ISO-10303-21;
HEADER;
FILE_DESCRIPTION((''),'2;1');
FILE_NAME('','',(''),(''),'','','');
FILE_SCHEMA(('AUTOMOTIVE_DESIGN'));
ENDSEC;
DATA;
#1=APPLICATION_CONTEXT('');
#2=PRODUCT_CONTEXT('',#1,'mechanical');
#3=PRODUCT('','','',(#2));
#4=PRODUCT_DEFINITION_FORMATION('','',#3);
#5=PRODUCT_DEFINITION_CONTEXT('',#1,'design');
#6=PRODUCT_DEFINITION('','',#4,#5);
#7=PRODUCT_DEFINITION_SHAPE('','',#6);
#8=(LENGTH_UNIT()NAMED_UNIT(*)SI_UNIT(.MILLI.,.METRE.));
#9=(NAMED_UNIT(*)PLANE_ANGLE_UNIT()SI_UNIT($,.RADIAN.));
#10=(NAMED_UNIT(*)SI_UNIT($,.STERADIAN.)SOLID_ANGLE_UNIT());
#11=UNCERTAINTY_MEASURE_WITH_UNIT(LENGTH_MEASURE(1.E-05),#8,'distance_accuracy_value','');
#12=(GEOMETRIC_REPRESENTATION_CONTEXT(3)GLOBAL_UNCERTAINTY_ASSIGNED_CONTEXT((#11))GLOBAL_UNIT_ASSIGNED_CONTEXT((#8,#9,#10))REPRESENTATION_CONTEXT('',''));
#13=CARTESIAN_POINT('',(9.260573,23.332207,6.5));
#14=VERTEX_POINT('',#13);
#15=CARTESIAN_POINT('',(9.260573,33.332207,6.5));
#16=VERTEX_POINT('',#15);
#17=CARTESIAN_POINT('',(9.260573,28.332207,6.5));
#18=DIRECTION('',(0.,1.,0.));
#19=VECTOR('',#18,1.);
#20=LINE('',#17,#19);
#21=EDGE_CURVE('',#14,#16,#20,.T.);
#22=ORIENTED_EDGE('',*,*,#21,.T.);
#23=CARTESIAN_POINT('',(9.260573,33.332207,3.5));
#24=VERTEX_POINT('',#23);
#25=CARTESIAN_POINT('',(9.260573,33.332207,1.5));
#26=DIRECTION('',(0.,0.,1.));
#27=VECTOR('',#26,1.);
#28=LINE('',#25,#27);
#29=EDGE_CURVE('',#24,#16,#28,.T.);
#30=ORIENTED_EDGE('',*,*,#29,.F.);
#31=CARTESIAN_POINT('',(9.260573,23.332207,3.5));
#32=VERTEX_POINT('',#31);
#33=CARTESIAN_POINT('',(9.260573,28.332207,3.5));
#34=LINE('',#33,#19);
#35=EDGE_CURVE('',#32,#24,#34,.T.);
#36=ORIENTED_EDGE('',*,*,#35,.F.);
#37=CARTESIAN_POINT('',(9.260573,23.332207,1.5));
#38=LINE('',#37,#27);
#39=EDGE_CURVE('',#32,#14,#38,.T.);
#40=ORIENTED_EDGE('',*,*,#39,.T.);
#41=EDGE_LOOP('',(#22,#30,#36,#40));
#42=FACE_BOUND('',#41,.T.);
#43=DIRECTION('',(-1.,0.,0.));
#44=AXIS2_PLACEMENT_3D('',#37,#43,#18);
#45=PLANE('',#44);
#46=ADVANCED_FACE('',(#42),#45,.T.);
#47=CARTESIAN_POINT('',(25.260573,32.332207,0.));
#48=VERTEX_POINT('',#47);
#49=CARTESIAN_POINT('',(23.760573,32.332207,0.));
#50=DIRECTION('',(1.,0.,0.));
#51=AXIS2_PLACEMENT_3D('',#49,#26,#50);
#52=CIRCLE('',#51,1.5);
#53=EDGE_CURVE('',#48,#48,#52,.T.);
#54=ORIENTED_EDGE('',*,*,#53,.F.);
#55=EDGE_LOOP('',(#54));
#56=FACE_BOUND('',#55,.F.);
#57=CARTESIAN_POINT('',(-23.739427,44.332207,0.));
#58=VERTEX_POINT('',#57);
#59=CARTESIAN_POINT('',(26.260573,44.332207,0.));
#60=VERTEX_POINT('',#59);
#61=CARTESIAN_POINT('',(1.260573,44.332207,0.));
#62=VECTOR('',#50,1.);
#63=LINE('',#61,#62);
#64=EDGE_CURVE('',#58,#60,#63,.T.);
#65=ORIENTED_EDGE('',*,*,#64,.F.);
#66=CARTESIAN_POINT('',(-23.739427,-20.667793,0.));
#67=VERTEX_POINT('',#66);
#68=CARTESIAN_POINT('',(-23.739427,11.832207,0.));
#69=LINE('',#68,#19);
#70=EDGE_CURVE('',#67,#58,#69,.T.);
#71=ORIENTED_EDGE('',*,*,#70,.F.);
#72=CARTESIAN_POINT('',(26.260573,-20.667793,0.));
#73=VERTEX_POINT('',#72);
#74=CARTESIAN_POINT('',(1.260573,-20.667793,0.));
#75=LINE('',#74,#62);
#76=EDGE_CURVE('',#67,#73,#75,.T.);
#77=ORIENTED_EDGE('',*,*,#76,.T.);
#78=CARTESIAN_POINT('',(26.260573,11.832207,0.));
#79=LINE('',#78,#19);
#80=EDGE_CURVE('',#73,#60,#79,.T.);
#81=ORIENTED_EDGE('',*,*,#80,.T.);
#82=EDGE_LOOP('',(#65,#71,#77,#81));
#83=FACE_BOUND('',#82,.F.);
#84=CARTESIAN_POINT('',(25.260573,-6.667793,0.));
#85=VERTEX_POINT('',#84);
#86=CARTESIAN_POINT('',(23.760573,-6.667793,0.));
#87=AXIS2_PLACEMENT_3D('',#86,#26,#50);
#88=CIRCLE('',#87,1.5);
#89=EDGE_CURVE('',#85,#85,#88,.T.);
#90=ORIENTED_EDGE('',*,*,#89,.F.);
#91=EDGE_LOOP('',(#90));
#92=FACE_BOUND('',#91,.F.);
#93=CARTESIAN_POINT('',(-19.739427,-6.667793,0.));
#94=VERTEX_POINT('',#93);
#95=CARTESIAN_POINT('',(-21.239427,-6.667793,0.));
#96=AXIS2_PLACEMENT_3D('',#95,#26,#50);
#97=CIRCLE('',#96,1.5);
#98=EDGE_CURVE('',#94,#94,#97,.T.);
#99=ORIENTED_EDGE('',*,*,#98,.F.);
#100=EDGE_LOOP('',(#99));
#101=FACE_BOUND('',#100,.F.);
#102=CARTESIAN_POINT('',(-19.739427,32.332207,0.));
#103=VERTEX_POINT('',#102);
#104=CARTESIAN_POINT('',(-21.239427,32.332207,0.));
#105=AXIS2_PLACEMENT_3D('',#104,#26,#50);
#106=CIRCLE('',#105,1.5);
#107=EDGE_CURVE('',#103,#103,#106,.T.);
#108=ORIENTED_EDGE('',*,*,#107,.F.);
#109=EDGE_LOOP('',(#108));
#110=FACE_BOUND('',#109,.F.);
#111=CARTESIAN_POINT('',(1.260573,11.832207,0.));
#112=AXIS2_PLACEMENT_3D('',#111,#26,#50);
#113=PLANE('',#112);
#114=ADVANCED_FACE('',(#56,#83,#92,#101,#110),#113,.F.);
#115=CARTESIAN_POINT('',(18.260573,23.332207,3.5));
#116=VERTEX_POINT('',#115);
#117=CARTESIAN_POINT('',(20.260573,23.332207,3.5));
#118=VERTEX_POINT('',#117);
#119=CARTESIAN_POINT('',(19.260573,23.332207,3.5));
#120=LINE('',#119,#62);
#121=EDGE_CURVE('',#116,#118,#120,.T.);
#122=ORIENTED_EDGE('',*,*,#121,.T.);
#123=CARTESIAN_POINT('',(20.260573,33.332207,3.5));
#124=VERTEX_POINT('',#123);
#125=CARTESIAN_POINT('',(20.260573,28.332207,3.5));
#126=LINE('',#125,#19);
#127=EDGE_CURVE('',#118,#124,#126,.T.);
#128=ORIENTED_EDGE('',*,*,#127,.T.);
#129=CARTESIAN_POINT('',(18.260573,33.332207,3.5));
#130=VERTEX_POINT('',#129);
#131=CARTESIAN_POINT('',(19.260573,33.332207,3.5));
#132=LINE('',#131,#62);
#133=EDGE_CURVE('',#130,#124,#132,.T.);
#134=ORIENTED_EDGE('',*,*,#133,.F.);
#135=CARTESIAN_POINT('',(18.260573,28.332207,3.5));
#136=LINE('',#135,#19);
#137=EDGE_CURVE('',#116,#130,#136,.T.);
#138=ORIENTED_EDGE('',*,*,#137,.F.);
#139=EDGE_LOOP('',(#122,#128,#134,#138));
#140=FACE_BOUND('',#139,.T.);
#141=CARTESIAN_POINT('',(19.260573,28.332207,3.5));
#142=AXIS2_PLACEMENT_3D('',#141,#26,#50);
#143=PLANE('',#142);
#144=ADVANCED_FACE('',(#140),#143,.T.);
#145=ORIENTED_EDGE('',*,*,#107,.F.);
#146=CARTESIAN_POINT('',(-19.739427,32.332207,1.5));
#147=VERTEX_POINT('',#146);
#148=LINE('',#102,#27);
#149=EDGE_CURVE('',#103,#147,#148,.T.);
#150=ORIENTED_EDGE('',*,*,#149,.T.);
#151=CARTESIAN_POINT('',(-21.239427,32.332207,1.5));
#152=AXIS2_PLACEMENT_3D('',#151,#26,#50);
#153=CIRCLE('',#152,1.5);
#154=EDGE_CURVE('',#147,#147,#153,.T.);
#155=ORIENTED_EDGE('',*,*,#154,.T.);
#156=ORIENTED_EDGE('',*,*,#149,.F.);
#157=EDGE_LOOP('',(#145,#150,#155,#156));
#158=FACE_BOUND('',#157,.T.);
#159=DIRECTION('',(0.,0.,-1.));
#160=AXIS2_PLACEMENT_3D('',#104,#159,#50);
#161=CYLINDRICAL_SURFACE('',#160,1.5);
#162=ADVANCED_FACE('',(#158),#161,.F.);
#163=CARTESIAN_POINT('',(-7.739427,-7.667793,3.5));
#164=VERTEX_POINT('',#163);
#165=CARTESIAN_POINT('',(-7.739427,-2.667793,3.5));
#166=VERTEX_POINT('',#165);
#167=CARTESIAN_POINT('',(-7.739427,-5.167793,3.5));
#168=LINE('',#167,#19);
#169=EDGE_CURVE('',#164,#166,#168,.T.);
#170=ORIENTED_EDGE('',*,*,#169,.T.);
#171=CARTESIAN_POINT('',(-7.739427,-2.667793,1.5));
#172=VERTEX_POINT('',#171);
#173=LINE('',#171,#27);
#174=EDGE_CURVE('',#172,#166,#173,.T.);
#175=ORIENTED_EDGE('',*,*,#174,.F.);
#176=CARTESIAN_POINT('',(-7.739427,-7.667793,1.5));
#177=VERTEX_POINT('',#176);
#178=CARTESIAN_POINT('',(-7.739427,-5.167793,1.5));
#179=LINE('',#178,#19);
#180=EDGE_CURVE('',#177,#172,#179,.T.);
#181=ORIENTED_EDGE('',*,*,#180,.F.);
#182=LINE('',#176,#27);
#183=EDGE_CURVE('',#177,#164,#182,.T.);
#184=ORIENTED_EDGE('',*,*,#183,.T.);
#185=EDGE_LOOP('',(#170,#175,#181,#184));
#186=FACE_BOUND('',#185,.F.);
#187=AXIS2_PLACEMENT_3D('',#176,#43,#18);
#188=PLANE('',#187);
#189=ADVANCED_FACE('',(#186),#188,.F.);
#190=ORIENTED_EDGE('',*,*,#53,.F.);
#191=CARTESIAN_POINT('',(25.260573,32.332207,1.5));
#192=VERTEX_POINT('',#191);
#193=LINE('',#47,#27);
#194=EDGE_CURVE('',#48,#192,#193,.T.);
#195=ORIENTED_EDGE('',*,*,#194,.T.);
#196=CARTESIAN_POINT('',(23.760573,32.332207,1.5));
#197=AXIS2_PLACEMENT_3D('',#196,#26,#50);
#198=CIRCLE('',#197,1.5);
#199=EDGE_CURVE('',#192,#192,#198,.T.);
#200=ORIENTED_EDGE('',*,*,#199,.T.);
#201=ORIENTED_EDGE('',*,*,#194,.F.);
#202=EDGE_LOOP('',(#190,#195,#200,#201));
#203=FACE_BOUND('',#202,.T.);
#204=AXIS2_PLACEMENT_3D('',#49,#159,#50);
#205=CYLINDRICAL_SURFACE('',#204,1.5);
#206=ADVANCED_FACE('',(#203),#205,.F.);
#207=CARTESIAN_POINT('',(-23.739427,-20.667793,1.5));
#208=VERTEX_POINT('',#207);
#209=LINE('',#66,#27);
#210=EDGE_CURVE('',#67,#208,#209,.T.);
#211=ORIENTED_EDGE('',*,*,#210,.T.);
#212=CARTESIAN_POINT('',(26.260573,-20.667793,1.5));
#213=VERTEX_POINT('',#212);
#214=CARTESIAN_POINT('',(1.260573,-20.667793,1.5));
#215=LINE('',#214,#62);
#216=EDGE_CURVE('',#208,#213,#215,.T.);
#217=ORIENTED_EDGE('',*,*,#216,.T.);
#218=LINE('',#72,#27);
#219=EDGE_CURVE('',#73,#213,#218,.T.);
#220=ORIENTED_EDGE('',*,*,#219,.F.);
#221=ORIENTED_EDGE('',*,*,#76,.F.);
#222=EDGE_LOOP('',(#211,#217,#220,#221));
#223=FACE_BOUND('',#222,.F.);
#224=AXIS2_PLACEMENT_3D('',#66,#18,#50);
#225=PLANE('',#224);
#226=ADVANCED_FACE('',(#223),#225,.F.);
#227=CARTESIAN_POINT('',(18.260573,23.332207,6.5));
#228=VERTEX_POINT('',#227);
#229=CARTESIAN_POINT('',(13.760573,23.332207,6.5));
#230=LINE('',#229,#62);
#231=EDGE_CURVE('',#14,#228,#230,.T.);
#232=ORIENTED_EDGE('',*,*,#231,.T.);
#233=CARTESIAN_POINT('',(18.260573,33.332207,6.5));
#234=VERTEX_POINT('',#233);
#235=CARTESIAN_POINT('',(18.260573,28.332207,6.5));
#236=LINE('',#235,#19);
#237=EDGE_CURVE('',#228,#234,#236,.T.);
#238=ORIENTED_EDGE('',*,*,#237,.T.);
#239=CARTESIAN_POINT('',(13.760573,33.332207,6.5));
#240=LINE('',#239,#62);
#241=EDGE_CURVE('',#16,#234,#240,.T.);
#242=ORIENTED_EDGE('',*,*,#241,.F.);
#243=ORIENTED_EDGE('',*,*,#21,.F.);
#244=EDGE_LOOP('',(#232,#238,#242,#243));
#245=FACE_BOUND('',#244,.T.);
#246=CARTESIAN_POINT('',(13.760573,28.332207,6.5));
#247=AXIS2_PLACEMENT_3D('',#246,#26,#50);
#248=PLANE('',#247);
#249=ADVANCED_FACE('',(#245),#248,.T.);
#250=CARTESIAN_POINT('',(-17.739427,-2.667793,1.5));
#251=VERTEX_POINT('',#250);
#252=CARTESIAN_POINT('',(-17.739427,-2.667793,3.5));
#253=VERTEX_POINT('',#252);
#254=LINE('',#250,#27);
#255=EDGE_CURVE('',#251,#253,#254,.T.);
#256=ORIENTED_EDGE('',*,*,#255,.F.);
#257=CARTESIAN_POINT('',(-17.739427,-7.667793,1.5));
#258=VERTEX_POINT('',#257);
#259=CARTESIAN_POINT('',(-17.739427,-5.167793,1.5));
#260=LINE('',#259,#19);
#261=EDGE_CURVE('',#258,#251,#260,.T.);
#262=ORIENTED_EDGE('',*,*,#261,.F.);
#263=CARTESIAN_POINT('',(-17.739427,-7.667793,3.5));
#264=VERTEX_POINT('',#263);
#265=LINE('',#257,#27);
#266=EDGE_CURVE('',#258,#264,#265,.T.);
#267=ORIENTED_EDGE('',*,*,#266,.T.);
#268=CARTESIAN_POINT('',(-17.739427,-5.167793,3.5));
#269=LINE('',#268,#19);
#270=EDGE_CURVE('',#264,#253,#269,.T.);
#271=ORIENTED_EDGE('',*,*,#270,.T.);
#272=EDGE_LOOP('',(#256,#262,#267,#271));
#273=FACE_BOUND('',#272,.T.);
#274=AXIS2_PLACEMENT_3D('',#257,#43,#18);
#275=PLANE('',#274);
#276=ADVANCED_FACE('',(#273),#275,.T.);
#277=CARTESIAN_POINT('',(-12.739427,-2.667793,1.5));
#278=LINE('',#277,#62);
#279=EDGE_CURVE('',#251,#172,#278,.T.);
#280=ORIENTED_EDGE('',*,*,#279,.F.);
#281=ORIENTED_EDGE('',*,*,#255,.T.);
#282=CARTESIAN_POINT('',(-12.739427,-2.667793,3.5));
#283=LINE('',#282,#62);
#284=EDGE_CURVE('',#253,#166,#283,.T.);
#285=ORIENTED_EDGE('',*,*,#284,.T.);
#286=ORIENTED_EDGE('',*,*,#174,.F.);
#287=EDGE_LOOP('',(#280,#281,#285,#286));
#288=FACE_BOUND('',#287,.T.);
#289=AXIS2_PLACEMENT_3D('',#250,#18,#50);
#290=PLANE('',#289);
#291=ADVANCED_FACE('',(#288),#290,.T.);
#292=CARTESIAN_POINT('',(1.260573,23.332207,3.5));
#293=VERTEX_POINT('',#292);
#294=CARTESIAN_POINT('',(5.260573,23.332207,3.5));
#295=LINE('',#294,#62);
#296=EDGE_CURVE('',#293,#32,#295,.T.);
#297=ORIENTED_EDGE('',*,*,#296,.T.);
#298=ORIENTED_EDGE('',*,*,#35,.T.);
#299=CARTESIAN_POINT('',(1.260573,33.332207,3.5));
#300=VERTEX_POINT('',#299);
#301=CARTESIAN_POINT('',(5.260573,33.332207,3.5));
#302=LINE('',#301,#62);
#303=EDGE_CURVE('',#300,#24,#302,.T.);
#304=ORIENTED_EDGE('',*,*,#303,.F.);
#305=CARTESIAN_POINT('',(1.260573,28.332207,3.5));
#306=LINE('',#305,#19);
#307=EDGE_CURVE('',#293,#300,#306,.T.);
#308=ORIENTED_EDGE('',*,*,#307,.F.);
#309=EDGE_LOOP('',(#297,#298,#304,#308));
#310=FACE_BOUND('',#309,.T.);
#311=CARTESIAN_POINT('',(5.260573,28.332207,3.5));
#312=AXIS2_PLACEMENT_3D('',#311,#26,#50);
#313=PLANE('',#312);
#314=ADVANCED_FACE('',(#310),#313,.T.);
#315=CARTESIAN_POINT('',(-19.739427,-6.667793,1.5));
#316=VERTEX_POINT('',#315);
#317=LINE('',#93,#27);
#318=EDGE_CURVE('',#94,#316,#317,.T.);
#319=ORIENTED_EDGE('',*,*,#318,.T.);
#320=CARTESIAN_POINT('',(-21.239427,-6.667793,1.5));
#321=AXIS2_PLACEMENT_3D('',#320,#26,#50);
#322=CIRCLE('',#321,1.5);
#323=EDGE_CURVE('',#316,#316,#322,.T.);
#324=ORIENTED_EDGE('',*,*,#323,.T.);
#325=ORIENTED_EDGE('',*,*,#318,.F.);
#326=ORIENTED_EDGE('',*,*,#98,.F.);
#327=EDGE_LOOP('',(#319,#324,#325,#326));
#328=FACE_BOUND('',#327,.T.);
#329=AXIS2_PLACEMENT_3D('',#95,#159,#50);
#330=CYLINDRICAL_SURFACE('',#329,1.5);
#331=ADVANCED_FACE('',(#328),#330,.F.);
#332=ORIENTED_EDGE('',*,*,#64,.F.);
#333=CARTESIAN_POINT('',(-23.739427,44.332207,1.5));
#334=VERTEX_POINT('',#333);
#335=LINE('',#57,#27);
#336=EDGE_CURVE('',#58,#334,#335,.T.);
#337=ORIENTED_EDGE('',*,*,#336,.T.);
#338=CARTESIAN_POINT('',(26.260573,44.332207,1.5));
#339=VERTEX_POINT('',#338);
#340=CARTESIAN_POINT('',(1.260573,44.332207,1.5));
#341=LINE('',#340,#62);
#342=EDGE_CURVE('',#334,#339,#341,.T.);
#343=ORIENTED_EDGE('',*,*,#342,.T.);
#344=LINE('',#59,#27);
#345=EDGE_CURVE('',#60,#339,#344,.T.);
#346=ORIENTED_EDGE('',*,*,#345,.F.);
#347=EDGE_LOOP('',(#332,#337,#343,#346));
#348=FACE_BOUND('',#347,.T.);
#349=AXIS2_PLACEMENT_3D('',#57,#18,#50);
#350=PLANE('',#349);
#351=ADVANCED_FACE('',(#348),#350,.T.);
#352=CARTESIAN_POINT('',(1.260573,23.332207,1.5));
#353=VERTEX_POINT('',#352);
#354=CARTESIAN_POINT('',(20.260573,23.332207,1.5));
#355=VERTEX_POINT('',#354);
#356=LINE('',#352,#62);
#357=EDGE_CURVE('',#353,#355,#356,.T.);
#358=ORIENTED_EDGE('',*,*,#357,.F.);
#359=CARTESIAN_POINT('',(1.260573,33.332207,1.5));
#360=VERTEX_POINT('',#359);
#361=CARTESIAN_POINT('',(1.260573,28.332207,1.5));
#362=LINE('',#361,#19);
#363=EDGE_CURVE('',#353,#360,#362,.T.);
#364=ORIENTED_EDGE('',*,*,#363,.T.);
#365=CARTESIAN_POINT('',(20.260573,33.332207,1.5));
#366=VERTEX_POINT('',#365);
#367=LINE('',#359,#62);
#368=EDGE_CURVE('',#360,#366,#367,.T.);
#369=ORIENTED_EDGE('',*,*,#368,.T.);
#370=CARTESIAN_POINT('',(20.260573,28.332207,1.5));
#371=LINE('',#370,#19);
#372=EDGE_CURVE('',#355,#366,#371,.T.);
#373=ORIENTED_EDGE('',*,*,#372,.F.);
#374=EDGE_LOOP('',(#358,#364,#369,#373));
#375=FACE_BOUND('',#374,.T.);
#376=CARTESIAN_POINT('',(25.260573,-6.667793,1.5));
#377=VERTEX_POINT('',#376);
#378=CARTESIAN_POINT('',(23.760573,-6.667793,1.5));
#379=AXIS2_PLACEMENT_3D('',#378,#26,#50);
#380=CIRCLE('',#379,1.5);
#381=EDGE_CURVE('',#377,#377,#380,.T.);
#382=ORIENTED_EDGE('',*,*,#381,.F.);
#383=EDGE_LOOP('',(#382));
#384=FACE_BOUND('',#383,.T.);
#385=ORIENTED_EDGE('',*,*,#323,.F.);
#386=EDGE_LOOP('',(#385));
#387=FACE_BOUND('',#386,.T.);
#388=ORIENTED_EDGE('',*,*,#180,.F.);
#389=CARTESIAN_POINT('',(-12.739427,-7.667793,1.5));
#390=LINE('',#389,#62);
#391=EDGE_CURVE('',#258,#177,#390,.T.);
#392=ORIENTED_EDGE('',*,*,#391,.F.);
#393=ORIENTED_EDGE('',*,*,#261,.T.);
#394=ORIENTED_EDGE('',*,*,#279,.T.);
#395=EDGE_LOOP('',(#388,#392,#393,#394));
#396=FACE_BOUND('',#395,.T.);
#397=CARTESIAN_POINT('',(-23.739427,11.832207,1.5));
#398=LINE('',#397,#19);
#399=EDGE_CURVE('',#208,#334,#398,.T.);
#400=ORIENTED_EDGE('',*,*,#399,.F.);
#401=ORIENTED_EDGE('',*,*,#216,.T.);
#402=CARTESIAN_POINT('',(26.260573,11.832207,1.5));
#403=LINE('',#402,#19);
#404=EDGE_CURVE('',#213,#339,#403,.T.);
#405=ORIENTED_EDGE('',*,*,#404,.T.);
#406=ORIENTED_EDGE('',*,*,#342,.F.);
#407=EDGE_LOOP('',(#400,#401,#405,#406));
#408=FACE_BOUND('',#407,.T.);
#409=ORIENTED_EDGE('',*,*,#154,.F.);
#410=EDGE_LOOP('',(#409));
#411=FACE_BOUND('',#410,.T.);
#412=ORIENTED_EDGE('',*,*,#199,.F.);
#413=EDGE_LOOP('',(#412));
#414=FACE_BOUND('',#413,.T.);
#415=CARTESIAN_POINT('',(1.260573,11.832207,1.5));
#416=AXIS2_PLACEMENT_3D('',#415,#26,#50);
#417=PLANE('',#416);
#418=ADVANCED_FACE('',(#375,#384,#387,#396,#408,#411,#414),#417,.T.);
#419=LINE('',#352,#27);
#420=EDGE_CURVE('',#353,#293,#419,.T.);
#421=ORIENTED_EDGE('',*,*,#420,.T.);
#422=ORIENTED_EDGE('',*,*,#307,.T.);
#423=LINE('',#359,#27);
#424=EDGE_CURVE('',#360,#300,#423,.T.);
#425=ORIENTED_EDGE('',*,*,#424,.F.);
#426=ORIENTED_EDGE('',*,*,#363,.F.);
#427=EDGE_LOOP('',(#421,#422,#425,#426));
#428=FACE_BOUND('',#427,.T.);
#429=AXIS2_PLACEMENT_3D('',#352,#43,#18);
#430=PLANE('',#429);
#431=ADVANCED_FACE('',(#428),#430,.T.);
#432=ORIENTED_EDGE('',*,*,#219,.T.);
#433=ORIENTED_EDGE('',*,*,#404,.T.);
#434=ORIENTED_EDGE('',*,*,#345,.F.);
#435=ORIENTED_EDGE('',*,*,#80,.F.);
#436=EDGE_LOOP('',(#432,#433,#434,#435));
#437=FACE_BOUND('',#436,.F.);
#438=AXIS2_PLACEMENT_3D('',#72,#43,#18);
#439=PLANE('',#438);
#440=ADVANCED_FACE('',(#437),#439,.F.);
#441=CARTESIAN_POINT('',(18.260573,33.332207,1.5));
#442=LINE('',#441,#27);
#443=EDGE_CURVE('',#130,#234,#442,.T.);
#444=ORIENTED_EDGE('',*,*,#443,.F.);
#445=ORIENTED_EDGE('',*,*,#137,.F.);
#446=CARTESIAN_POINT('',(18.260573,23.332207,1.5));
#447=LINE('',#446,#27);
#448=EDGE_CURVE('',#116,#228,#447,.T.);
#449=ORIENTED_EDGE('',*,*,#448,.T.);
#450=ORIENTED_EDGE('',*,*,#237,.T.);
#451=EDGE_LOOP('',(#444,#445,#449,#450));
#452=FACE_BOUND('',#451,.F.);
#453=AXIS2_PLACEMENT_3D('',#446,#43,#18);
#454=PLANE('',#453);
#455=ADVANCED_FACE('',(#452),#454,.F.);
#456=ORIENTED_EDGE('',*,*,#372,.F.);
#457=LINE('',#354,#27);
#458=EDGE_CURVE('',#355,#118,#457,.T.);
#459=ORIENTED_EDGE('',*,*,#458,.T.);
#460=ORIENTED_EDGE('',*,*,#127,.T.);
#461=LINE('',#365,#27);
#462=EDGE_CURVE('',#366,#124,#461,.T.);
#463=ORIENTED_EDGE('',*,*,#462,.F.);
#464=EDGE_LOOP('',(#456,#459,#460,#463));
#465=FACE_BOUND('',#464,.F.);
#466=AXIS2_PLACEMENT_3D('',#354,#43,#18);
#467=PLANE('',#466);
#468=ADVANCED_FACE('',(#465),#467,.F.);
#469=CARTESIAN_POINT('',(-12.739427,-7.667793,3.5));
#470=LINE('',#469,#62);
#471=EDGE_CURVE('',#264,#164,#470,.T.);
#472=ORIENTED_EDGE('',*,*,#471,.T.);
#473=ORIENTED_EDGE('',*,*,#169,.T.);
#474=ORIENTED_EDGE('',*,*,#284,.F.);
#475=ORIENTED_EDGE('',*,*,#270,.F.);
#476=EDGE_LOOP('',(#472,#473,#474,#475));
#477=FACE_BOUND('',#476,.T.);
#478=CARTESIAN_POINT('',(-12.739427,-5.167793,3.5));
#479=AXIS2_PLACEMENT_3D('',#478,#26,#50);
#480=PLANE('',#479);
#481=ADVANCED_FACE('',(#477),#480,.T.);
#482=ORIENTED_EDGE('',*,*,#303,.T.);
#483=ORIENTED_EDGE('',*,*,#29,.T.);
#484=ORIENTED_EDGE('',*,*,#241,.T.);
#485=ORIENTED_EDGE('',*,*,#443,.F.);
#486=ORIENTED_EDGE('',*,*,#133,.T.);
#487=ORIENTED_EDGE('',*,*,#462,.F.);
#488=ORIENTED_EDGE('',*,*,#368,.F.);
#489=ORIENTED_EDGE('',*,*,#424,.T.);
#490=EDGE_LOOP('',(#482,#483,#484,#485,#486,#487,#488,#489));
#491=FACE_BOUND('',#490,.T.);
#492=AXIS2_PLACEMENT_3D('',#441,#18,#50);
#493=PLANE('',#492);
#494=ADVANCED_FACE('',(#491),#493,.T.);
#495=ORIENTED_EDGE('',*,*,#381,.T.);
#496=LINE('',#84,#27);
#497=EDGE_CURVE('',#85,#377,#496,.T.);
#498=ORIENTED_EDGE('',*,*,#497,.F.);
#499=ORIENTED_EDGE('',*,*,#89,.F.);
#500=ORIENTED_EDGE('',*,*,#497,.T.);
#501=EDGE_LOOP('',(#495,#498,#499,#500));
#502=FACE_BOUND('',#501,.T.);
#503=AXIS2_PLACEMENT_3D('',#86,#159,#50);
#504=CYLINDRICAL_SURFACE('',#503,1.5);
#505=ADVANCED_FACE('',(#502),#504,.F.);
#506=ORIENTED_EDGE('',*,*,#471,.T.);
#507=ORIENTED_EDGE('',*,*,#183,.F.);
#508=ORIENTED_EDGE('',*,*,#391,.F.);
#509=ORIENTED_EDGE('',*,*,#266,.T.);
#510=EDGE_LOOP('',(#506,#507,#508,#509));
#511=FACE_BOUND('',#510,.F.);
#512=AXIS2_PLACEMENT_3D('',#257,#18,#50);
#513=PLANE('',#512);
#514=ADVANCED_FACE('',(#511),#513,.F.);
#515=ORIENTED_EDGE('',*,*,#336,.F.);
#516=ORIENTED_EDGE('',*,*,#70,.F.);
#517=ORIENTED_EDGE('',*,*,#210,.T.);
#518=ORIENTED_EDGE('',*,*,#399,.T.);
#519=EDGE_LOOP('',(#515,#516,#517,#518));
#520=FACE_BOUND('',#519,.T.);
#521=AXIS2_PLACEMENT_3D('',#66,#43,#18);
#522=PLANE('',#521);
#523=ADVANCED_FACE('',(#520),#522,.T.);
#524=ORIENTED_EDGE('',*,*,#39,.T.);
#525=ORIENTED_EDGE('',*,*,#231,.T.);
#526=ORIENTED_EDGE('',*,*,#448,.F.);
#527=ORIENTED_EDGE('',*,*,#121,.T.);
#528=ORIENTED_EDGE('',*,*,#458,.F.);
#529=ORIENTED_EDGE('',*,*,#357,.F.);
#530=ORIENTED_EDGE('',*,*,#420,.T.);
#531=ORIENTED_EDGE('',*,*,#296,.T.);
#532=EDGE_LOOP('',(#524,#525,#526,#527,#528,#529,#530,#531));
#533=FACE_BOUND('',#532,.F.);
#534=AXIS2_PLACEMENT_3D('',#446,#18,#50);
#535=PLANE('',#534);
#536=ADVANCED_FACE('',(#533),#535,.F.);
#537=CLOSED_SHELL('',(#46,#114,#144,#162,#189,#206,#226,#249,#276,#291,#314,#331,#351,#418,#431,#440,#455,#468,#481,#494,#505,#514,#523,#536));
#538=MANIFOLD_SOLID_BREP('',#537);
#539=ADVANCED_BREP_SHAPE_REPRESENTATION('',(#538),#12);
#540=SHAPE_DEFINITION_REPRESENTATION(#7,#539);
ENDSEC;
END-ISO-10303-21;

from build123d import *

# Parameters (mm, degrees)
F0_W     = 50
F0_H     = 65
F0_R     = 1.5
F1_DEPTH = 1.5
F2_W     = 10
F2_H     = 5
F3_DEPTH = 2
F2_W_2   = 9
F2_H_2   = 10
F4_DEPTH = 5
F2_W_3   = 2
F2_W_4   = 8
F5_DEPTH = 2


with BuildPart() as f1:
    # F0 (on Top) → F1 (new body)
    with BuildSketch(Plane.XY):
        with Locations((1.260573, 11.832207)):
            Rectangle(F0_W, F0_H)
        with Locations((-21.239427, -6.667793)):
            Circle(F0_R, mode=Mode.SUBTRACT)
        with Locations((23.760573, -6.667793)):
            Circle(F0_R, mode=Mode.SUBTRACT)
        with Locations((-21.239427, 32.332207)):
            Circle(F0_R, mode=Mode.SUBTRACT)
        with Locations((23.760573, 32.332207)):
            Circle(F0_R, mode=Mode.SUBTRACT)
    extrude(amount=F1_DEPTH)

    # F2 (on face) → F3 (join)
    with BuildSketch(Plane.XY.offset(1.5)):
        with Locations((-12.739427, -5.167793)):
            Rectangle(F2_W, F2_H)
    extrude(amount=F3_DEPTH)

    # F2 (on face) → F4 (join)
    with BuildSketch(Plane.XY.offset(1.5)):
        with Locations((13.760573, 28.332207)):
            Rectangle(F2_W_2, F2_H_2)
    extrude(amount=F4_DEPTH)

    # F2 (on face) → F5 (join)
    with BuildSketch(Plane.XY.offset(1.5)):
        with Locations((19.260573, 28.332207)):
            Rectangle(F2_W_3, F2_H_2)
        with Locations((5.260573, 28.332207)):
            Rectangle(F2_W_4, F2_H_2)
    extrude(amount=F5_DEPTH)


solid = f1.part
